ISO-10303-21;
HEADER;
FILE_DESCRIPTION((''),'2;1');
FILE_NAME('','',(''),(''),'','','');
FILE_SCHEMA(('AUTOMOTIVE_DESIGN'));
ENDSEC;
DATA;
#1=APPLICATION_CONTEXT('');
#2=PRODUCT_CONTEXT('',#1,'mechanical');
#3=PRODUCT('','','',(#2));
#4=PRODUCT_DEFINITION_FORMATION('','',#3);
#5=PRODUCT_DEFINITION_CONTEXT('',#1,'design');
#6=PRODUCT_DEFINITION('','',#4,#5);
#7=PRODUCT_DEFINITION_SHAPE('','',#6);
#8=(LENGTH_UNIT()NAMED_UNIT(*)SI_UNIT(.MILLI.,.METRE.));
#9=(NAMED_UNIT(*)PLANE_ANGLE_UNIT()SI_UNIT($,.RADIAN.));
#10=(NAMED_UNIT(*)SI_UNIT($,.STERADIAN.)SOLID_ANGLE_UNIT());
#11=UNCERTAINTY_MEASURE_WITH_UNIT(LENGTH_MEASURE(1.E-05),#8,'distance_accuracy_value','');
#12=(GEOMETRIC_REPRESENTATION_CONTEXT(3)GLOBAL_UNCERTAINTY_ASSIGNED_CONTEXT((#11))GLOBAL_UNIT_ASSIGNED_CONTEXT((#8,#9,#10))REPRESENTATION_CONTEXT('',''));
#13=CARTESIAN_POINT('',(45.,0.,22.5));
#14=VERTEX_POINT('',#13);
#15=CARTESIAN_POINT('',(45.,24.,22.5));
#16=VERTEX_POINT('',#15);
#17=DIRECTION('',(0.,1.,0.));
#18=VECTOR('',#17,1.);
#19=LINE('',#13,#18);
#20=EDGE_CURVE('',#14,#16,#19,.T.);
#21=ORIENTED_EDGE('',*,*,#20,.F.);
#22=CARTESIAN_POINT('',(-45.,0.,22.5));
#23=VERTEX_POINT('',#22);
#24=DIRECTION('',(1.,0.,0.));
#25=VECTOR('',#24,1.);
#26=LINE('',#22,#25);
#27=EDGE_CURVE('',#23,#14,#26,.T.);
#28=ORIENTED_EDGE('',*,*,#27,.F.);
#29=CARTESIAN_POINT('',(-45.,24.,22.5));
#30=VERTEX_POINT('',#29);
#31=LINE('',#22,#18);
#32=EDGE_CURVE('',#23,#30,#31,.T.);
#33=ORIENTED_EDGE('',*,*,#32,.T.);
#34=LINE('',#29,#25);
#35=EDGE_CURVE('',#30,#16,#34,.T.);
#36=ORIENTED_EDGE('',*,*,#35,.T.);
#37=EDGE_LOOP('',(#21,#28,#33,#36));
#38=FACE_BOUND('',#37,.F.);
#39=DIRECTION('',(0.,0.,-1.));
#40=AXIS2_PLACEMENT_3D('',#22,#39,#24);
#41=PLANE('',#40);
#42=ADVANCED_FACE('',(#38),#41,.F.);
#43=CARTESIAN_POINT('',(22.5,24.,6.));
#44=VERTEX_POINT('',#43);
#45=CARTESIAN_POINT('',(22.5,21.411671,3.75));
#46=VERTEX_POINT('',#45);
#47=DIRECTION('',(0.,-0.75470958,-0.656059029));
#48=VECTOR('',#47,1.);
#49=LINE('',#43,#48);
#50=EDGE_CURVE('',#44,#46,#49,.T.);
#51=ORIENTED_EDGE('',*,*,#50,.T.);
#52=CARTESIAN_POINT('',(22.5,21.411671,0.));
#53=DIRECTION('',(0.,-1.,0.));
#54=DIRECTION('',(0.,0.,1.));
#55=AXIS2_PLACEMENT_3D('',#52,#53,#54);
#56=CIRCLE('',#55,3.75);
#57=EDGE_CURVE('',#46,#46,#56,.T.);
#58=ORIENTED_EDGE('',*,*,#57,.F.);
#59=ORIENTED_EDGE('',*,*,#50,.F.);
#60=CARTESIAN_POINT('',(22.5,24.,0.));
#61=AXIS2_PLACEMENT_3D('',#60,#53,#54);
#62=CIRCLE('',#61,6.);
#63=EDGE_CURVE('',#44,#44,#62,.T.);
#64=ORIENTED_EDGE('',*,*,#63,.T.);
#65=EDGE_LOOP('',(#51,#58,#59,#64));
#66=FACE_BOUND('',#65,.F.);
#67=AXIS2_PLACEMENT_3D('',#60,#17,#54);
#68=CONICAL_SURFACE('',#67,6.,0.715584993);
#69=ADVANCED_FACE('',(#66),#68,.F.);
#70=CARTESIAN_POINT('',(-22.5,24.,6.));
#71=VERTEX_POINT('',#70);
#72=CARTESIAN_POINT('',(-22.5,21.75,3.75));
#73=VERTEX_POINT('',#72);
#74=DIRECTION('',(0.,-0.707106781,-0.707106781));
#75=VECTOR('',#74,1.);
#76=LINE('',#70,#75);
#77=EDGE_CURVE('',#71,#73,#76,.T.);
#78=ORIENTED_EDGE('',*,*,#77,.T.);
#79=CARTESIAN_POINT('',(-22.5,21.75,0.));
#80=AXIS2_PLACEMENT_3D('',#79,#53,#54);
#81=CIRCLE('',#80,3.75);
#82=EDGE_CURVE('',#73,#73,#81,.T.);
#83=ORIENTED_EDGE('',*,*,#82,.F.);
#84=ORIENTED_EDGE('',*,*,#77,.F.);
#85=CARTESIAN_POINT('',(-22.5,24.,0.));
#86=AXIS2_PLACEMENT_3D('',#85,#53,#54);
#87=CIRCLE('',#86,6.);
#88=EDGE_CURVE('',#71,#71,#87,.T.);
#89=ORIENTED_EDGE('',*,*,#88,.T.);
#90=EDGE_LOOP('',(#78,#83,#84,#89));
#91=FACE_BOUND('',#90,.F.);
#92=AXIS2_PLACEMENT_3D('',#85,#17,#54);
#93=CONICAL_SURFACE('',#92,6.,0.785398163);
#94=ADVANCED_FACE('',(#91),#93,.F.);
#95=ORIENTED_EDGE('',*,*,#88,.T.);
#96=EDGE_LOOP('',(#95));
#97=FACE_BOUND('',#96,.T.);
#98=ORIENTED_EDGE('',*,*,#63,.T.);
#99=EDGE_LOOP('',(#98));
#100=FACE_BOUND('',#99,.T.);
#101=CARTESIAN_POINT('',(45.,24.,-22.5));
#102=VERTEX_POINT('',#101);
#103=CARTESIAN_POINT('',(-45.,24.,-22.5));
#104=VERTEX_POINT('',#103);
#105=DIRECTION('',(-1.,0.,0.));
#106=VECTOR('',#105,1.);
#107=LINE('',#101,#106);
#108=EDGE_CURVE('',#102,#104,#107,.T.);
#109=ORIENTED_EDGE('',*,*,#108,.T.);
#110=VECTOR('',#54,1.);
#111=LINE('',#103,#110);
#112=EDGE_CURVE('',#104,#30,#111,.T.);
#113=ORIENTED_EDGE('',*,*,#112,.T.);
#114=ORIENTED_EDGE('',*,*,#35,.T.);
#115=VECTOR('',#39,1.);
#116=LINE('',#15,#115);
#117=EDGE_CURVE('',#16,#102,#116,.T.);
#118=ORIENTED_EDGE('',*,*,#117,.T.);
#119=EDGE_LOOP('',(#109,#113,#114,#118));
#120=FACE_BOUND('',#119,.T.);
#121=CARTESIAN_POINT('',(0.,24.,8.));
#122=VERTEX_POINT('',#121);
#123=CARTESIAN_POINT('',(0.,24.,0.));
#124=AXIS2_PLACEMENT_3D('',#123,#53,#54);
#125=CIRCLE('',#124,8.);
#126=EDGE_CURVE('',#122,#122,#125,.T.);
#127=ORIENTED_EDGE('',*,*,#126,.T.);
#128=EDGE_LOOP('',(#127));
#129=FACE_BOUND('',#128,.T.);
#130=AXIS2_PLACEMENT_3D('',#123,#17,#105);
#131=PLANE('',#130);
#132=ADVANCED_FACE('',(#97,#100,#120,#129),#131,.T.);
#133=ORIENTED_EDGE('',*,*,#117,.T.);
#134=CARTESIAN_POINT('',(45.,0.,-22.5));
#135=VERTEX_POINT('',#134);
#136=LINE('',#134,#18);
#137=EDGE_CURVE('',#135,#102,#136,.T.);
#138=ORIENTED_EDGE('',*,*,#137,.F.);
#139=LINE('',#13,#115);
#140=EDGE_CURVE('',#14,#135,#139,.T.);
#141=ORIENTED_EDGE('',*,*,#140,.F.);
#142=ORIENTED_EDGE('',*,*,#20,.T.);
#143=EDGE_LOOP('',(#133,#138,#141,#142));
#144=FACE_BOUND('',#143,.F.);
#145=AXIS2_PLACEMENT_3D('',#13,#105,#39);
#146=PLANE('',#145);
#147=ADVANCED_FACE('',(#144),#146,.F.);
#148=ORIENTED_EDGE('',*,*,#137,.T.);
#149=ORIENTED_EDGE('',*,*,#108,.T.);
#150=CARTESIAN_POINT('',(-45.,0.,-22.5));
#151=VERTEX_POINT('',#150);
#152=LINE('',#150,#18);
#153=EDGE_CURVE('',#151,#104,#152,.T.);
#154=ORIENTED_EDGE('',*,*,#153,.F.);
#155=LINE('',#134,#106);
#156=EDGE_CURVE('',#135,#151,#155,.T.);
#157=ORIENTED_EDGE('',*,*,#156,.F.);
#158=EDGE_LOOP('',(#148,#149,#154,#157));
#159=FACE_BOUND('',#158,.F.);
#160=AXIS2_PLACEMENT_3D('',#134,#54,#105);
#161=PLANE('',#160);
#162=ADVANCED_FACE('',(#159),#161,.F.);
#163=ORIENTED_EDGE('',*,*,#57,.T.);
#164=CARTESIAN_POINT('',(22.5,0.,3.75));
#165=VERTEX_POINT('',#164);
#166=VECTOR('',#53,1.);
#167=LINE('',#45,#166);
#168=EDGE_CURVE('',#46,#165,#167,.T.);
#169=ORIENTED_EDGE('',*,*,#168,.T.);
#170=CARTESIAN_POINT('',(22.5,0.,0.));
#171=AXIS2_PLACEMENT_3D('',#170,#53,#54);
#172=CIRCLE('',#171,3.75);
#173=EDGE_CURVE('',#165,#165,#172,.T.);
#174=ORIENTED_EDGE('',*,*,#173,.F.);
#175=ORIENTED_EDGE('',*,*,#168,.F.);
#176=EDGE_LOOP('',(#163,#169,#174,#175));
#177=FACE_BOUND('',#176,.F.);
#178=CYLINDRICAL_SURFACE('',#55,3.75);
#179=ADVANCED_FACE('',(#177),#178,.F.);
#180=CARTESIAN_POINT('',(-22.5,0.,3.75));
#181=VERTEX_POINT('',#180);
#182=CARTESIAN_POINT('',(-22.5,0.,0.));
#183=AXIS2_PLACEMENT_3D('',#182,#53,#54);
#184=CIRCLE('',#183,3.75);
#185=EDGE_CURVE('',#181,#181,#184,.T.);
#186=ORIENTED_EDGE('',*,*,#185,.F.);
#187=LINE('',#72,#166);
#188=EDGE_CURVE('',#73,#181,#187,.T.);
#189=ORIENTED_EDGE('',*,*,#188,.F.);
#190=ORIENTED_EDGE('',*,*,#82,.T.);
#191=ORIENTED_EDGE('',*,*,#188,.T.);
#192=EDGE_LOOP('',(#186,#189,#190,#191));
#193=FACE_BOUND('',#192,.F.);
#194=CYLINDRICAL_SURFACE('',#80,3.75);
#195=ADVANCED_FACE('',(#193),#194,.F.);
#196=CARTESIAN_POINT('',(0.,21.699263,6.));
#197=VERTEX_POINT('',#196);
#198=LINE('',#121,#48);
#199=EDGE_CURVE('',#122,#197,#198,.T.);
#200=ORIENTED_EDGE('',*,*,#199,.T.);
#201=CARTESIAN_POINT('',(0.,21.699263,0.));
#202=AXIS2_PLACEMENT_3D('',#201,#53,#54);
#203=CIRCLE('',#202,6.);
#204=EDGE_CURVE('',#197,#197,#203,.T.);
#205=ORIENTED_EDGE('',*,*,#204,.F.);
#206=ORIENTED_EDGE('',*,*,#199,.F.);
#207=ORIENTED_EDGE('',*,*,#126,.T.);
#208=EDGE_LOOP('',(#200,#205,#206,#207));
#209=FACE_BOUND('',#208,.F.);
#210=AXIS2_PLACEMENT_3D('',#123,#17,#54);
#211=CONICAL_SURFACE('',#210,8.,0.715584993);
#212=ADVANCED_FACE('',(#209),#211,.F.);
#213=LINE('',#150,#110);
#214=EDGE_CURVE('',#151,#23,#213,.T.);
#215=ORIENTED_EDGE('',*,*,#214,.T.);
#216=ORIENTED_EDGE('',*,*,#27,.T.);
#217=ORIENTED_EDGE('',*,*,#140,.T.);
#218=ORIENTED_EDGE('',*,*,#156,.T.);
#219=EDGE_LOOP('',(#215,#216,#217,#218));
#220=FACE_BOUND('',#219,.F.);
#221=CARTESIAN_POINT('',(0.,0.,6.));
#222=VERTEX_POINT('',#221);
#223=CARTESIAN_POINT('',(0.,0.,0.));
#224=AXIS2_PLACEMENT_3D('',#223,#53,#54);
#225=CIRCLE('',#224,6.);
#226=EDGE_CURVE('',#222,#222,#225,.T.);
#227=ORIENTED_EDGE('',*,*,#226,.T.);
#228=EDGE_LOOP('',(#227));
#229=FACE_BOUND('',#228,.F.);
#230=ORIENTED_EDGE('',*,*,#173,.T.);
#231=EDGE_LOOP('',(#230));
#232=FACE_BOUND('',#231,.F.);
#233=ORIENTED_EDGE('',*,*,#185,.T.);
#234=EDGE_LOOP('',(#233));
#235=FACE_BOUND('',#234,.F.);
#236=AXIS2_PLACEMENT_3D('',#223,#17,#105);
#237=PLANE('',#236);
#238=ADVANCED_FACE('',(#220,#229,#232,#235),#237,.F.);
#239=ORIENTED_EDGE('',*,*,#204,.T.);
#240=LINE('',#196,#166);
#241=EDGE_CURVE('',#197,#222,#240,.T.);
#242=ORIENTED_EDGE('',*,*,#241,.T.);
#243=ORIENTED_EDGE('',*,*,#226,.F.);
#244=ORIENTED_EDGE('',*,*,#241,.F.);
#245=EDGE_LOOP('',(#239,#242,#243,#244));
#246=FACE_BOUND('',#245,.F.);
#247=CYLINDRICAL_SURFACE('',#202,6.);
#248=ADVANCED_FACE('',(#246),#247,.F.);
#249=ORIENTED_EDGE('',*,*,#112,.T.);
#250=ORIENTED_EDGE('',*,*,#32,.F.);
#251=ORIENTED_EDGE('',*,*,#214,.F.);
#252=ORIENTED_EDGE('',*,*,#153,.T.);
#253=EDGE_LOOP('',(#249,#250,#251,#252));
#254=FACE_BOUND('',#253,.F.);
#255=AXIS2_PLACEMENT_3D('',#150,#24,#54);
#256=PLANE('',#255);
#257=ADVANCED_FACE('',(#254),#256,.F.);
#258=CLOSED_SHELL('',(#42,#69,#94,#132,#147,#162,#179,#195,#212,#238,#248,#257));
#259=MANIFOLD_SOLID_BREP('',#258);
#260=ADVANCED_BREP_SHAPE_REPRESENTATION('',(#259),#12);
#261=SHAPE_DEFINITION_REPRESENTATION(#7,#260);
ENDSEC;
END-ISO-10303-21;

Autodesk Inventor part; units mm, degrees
ref_plane "YZ Plane" through (0, 0, 0) normal (1, 0, 0) x (0, 1, 0)
ref_plane "XZ Plane" through (0, 0, 0) normal (0, 1, 0) x (-1, 0, 0)
ref_plane "XY Plane" through (0, 0, 0) normal (0, 0, 1) x (1, 0, 0)
sketch "Boceto1" plane through (0, 0, 0) normal (0, 1, 0) x (-1, 0, 0)
  line L0 (45, 22.5) -> (-45, 22.5)
  line L1 (-45, 22.5) -> (-45, -22.5)
  line L2 (-45, -22.5) -> (45, -22.5)
  line L3 (45, -22.5) -> (45, 22.5)
  point P0 (-45, 0)
extrude "Extrusión1" add sketch "Boceto1" along normal blind 24
sketch "Boceto2" plane through (0, 24, 0) normal (0, 1, 0) x (1, 0, 0)
  point P0 (-22.5, 0)
hole "Agujero1" at (-22.5, 24, 0) direction (0, -1, 0) diameter 7.5 end through all countersink diameter 12 countersink angle 90
sketch "Boceto3" plane through (0, 24, 0) normal (0, 1, 0) x (1, 0, 0)
  point P0 (0, 0)
hole "Agujero2" at (0, 24, 0) direction (0, -1, 0) diameter 12 end through all countersink diameter 16 countersink angle 82
sketch "Boceto4" plane through (0, 24, 0) normal (0, 1, 0) x (1, 0, 0)
  point P0 (0, 0)
  point P1 (0, 0)
  point P2 (22.5, 0)
hole "Agujero3" at (0, 24, 0) at (22.5, 24, 0) direction (0, -1, 0) diameter 7.5 end through all countersink diameter 12 countersink angle 82
properties part number "sujecion_castor" material "Aluminio 6061"
